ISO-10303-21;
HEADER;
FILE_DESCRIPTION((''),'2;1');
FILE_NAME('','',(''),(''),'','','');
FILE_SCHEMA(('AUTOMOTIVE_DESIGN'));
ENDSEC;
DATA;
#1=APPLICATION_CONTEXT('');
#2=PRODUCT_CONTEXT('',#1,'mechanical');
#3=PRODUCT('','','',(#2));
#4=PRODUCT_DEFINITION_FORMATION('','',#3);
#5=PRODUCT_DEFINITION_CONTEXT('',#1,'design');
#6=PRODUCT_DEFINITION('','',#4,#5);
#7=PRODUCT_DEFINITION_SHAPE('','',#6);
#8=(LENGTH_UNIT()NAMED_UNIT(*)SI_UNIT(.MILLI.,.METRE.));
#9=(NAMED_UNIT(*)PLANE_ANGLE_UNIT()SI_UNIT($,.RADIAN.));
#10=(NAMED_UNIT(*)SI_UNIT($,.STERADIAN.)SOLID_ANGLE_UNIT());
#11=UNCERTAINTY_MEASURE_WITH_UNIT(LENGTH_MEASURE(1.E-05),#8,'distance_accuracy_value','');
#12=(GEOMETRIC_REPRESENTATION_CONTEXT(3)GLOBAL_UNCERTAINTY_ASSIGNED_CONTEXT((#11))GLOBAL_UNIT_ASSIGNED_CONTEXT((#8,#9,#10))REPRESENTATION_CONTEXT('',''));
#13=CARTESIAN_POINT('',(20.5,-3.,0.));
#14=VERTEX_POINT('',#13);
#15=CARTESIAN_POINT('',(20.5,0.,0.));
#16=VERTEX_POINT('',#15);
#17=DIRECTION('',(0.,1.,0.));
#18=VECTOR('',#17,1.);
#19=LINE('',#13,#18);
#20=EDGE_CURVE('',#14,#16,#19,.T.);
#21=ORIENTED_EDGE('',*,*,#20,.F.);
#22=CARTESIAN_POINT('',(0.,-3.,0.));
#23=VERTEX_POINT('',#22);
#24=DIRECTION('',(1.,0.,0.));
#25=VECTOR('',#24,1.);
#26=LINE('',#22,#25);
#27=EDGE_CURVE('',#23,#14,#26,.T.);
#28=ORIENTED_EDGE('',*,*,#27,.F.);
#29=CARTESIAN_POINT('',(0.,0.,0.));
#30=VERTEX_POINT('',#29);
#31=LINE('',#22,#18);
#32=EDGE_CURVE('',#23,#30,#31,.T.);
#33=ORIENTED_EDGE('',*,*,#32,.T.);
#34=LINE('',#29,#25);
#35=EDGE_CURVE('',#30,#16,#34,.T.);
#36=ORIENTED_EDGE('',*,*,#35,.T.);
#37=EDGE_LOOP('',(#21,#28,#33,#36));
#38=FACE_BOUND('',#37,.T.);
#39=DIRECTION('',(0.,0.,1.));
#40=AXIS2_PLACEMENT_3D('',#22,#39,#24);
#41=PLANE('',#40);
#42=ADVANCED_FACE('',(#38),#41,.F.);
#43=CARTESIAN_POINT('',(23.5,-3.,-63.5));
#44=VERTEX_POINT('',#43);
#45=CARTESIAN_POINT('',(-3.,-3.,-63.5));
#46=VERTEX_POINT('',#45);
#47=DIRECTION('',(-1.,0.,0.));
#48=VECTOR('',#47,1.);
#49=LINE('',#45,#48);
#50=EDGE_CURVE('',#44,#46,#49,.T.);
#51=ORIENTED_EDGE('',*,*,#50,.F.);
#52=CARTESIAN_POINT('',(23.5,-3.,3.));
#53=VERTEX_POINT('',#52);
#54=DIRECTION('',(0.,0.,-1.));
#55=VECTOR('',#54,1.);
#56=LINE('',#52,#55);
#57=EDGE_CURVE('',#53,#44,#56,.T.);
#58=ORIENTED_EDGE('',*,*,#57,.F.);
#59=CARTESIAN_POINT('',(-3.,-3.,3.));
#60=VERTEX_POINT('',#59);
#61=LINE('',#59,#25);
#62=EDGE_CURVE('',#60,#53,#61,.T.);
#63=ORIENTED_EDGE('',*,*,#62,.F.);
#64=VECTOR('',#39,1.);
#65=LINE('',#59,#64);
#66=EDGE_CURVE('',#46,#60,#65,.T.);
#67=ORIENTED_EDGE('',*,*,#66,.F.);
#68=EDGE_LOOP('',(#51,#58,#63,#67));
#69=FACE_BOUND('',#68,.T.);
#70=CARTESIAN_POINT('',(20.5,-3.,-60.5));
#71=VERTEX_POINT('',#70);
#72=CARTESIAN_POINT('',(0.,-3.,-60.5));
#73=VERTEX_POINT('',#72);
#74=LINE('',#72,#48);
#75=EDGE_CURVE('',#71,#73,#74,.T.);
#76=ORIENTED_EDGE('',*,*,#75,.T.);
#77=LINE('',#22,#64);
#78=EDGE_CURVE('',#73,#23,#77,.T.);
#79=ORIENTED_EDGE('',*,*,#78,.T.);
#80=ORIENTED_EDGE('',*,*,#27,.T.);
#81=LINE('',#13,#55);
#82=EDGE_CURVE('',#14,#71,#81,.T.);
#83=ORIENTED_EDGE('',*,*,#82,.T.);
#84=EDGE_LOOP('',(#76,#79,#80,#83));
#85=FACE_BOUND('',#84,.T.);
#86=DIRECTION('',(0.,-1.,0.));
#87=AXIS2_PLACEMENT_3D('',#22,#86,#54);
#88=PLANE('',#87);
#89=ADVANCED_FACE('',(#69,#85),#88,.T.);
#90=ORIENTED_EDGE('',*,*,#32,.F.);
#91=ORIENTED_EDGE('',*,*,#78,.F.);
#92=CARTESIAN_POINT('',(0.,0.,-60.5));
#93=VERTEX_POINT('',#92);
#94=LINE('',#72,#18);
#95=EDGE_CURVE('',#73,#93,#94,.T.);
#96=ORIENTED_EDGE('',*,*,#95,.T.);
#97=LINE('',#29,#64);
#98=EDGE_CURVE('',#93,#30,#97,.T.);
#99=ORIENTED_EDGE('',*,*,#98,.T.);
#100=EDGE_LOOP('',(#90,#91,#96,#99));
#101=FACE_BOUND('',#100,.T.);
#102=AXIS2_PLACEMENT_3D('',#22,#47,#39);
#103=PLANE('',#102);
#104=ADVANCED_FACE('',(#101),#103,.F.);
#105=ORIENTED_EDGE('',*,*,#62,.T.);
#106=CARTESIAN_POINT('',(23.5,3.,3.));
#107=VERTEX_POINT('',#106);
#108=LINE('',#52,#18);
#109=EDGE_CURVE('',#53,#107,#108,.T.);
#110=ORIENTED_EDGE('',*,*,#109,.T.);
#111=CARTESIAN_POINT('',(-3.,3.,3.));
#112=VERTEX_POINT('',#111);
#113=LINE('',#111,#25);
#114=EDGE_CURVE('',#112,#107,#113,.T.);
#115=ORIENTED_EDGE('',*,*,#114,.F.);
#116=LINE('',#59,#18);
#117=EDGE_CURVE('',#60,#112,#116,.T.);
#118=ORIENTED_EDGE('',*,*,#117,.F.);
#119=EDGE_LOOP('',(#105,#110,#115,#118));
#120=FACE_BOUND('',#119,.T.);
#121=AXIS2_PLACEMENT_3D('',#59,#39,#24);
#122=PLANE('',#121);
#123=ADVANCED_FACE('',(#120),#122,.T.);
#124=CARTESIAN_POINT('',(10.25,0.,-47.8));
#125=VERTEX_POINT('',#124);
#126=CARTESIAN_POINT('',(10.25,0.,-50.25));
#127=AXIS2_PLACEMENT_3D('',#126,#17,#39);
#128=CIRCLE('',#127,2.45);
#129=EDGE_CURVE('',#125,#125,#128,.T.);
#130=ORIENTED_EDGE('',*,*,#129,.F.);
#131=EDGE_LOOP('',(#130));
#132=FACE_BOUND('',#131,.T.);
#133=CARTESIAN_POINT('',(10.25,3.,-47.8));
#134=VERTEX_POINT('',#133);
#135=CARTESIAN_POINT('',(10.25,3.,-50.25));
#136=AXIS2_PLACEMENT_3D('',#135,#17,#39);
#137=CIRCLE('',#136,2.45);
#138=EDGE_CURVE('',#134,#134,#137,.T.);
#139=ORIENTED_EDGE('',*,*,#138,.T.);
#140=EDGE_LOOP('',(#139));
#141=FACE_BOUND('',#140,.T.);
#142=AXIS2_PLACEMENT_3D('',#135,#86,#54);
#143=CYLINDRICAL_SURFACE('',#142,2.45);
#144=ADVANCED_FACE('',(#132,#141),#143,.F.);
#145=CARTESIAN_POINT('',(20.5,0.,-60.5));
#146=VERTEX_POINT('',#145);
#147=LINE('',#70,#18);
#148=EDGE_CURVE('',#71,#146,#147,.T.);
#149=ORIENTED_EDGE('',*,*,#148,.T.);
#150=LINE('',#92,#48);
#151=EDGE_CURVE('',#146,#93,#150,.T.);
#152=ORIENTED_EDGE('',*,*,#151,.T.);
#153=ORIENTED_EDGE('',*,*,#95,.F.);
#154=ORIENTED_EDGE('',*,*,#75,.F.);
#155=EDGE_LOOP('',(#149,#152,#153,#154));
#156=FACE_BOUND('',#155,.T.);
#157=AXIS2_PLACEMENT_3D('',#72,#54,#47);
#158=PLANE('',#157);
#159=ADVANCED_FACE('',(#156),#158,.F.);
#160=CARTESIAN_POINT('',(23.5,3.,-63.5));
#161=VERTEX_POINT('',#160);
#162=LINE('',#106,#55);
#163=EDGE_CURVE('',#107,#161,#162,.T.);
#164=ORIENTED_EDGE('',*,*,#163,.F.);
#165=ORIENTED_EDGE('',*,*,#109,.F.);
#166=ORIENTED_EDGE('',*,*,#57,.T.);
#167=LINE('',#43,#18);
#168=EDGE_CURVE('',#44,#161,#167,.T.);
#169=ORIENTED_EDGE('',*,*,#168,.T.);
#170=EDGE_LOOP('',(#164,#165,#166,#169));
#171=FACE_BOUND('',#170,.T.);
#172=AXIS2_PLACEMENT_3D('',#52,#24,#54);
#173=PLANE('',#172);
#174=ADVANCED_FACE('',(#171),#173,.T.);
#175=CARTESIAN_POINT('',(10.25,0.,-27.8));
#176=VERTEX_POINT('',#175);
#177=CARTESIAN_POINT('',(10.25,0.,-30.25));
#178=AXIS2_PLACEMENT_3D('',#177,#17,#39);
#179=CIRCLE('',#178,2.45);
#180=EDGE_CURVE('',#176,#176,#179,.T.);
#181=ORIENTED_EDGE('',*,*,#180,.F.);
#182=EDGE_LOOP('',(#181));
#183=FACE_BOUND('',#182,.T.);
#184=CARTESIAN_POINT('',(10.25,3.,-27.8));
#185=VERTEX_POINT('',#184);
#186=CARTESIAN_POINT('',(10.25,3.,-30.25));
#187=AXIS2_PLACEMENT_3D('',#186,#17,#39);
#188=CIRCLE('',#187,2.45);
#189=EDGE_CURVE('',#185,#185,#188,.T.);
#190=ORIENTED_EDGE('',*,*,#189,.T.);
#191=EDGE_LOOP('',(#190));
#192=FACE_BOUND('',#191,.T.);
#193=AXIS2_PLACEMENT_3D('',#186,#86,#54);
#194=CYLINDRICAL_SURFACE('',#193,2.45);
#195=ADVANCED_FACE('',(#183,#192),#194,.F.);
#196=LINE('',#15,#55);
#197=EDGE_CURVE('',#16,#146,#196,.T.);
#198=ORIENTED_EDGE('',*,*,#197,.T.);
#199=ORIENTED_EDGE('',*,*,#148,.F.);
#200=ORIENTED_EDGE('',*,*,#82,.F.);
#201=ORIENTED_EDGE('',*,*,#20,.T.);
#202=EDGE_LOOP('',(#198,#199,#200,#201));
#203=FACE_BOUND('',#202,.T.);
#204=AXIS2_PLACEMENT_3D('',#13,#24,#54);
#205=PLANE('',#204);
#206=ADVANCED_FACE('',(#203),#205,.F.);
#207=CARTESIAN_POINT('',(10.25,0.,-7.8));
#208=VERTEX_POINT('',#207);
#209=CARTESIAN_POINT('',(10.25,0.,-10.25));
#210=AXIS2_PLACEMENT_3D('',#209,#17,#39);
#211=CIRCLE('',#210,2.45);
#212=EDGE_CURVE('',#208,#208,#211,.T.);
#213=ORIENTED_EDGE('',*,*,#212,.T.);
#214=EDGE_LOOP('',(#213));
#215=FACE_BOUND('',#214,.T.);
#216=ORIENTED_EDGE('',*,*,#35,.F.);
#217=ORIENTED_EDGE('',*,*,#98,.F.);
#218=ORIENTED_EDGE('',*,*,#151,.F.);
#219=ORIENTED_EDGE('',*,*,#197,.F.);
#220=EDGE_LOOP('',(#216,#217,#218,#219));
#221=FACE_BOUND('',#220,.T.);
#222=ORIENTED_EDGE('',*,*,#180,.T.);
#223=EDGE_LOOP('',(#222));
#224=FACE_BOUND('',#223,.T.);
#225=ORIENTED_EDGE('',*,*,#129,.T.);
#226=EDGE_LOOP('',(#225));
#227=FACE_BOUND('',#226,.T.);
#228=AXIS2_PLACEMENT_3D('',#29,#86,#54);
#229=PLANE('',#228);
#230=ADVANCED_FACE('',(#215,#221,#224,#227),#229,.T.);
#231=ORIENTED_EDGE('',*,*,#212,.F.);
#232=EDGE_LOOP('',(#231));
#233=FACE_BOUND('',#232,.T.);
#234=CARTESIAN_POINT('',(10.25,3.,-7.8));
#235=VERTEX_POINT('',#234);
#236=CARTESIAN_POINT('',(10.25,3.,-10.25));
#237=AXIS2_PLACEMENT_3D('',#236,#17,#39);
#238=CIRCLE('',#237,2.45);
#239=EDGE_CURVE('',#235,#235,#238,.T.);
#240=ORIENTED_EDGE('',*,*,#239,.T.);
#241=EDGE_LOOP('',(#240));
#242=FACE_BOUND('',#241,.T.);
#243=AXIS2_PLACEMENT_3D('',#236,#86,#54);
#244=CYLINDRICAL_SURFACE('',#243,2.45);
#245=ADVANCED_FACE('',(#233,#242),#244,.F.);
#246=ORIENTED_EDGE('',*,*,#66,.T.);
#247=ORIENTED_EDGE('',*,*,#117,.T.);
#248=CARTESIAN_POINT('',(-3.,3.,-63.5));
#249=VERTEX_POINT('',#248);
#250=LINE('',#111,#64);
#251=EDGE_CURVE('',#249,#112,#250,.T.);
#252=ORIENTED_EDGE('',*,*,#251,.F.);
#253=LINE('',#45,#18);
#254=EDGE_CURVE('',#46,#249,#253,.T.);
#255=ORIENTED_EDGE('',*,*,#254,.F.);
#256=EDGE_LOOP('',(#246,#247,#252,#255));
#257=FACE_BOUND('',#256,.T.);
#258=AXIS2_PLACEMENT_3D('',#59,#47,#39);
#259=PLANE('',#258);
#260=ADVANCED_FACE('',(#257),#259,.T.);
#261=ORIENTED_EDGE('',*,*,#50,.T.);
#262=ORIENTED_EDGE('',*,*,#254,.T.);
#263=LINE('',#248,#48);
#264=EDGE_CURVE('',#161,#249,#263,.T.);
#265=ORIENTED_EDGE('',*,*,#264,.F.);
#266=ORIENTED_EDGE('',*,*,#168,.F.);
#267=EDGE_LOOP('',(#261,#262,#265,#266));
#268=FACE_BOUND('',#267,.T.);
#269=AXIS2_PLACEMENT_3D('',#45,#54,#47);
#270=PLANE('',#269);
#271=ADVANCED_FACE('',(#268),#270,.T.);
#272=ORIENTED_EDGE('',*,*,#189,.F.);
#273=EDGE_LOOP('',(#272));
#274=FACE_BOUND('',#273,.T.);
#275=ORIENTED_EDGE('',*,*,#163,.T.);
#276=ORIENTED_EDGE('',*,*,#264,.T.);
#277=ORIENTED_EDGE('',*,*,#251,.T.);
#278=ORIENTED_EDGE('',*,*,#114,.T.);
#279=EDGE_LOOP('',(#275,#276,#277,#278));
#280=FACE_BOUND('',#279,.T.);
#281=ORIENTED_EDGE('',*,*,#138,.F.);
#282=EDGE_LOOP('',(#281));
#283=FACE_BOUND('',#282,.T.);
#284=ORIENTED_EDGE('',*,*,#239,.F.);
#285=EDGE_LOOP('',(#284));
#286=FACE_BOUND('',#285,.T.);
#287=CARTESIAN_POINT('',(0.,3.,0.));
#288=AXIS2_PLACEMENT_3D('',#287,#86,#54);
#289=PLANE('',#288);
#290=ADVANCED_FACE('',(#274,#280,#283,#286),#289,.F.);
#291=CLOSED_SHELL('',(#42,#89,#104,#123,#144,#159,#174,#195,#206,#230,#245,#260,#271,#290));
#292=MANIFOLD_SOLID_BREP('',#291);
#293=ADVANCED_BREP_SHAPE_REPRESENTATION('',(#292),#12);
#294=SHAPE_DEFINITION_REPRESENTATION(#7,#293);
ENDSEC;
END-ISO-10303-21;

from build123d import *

# Parameters (mm, degrees)
SKETCH1_W           = 20.5
SKETCH1_H           = 60.5
SKETCH1_R           = 2.45
BOSS_EXTRUDE1_DEPTH = 3
SKETCH2_W           = 26.5
SKETCH2_H           = 66.5
SKETCH2_W_2         = 20.5
SKETCH2_H_2         = 60.5
BOSS_EXTRUDE2_DEPTH = 6


with BuildPart() as part:
    # Sketch1 → Boss-Extrude1 (new body)
    with BuildSketch(Plane(origin=(0, 0, 0), x_dir=(1, 0, 0), z_dir=(0, 1, 0))):
        with Locations((10.25, 30.25)):
            Rectangle(SKETCH1_W, SKETCH1_H)
        with Locations(Location((10.25, 10.25, 0), (0, 0, 270))):
            Circle(SKETCH1_R, mode=Mode.SUBTRACT)
        with Locations(Location((10.25, 50.25, 0), (0, 0, 270))):
            Circle(SKETCH1_R, mode=Mode.SUBTRACT)
        with Locations(Location((10.25, 30.25, 0), (0, 0, 270))):
            Circle(SKETCH1_R, mode=Mode.SUBTRACT)
    extrude(amount=BOSS_EXTRUDE1_DEPTH)

    # Sketch2 → Boss-Extrude2 (add)
    with BuildSketch(Plane(origin=(0, 3, 0), x_dir=(1, 0, 0), z_dir=(0, 1, 0))):
        with Locations((10.25, 30.25)):
            Rectangle(SKETCH2_W, SKETCH2_H)
        with Locations((10.25, 30.25)):
            Rectangle(SKETCH2_W_2, SKETCH2_H_2, mode=Mode.SUBTRACT)
    extrude(amount=-BOSS_EXTRUDE2_DEPTH)


solid = part.part
